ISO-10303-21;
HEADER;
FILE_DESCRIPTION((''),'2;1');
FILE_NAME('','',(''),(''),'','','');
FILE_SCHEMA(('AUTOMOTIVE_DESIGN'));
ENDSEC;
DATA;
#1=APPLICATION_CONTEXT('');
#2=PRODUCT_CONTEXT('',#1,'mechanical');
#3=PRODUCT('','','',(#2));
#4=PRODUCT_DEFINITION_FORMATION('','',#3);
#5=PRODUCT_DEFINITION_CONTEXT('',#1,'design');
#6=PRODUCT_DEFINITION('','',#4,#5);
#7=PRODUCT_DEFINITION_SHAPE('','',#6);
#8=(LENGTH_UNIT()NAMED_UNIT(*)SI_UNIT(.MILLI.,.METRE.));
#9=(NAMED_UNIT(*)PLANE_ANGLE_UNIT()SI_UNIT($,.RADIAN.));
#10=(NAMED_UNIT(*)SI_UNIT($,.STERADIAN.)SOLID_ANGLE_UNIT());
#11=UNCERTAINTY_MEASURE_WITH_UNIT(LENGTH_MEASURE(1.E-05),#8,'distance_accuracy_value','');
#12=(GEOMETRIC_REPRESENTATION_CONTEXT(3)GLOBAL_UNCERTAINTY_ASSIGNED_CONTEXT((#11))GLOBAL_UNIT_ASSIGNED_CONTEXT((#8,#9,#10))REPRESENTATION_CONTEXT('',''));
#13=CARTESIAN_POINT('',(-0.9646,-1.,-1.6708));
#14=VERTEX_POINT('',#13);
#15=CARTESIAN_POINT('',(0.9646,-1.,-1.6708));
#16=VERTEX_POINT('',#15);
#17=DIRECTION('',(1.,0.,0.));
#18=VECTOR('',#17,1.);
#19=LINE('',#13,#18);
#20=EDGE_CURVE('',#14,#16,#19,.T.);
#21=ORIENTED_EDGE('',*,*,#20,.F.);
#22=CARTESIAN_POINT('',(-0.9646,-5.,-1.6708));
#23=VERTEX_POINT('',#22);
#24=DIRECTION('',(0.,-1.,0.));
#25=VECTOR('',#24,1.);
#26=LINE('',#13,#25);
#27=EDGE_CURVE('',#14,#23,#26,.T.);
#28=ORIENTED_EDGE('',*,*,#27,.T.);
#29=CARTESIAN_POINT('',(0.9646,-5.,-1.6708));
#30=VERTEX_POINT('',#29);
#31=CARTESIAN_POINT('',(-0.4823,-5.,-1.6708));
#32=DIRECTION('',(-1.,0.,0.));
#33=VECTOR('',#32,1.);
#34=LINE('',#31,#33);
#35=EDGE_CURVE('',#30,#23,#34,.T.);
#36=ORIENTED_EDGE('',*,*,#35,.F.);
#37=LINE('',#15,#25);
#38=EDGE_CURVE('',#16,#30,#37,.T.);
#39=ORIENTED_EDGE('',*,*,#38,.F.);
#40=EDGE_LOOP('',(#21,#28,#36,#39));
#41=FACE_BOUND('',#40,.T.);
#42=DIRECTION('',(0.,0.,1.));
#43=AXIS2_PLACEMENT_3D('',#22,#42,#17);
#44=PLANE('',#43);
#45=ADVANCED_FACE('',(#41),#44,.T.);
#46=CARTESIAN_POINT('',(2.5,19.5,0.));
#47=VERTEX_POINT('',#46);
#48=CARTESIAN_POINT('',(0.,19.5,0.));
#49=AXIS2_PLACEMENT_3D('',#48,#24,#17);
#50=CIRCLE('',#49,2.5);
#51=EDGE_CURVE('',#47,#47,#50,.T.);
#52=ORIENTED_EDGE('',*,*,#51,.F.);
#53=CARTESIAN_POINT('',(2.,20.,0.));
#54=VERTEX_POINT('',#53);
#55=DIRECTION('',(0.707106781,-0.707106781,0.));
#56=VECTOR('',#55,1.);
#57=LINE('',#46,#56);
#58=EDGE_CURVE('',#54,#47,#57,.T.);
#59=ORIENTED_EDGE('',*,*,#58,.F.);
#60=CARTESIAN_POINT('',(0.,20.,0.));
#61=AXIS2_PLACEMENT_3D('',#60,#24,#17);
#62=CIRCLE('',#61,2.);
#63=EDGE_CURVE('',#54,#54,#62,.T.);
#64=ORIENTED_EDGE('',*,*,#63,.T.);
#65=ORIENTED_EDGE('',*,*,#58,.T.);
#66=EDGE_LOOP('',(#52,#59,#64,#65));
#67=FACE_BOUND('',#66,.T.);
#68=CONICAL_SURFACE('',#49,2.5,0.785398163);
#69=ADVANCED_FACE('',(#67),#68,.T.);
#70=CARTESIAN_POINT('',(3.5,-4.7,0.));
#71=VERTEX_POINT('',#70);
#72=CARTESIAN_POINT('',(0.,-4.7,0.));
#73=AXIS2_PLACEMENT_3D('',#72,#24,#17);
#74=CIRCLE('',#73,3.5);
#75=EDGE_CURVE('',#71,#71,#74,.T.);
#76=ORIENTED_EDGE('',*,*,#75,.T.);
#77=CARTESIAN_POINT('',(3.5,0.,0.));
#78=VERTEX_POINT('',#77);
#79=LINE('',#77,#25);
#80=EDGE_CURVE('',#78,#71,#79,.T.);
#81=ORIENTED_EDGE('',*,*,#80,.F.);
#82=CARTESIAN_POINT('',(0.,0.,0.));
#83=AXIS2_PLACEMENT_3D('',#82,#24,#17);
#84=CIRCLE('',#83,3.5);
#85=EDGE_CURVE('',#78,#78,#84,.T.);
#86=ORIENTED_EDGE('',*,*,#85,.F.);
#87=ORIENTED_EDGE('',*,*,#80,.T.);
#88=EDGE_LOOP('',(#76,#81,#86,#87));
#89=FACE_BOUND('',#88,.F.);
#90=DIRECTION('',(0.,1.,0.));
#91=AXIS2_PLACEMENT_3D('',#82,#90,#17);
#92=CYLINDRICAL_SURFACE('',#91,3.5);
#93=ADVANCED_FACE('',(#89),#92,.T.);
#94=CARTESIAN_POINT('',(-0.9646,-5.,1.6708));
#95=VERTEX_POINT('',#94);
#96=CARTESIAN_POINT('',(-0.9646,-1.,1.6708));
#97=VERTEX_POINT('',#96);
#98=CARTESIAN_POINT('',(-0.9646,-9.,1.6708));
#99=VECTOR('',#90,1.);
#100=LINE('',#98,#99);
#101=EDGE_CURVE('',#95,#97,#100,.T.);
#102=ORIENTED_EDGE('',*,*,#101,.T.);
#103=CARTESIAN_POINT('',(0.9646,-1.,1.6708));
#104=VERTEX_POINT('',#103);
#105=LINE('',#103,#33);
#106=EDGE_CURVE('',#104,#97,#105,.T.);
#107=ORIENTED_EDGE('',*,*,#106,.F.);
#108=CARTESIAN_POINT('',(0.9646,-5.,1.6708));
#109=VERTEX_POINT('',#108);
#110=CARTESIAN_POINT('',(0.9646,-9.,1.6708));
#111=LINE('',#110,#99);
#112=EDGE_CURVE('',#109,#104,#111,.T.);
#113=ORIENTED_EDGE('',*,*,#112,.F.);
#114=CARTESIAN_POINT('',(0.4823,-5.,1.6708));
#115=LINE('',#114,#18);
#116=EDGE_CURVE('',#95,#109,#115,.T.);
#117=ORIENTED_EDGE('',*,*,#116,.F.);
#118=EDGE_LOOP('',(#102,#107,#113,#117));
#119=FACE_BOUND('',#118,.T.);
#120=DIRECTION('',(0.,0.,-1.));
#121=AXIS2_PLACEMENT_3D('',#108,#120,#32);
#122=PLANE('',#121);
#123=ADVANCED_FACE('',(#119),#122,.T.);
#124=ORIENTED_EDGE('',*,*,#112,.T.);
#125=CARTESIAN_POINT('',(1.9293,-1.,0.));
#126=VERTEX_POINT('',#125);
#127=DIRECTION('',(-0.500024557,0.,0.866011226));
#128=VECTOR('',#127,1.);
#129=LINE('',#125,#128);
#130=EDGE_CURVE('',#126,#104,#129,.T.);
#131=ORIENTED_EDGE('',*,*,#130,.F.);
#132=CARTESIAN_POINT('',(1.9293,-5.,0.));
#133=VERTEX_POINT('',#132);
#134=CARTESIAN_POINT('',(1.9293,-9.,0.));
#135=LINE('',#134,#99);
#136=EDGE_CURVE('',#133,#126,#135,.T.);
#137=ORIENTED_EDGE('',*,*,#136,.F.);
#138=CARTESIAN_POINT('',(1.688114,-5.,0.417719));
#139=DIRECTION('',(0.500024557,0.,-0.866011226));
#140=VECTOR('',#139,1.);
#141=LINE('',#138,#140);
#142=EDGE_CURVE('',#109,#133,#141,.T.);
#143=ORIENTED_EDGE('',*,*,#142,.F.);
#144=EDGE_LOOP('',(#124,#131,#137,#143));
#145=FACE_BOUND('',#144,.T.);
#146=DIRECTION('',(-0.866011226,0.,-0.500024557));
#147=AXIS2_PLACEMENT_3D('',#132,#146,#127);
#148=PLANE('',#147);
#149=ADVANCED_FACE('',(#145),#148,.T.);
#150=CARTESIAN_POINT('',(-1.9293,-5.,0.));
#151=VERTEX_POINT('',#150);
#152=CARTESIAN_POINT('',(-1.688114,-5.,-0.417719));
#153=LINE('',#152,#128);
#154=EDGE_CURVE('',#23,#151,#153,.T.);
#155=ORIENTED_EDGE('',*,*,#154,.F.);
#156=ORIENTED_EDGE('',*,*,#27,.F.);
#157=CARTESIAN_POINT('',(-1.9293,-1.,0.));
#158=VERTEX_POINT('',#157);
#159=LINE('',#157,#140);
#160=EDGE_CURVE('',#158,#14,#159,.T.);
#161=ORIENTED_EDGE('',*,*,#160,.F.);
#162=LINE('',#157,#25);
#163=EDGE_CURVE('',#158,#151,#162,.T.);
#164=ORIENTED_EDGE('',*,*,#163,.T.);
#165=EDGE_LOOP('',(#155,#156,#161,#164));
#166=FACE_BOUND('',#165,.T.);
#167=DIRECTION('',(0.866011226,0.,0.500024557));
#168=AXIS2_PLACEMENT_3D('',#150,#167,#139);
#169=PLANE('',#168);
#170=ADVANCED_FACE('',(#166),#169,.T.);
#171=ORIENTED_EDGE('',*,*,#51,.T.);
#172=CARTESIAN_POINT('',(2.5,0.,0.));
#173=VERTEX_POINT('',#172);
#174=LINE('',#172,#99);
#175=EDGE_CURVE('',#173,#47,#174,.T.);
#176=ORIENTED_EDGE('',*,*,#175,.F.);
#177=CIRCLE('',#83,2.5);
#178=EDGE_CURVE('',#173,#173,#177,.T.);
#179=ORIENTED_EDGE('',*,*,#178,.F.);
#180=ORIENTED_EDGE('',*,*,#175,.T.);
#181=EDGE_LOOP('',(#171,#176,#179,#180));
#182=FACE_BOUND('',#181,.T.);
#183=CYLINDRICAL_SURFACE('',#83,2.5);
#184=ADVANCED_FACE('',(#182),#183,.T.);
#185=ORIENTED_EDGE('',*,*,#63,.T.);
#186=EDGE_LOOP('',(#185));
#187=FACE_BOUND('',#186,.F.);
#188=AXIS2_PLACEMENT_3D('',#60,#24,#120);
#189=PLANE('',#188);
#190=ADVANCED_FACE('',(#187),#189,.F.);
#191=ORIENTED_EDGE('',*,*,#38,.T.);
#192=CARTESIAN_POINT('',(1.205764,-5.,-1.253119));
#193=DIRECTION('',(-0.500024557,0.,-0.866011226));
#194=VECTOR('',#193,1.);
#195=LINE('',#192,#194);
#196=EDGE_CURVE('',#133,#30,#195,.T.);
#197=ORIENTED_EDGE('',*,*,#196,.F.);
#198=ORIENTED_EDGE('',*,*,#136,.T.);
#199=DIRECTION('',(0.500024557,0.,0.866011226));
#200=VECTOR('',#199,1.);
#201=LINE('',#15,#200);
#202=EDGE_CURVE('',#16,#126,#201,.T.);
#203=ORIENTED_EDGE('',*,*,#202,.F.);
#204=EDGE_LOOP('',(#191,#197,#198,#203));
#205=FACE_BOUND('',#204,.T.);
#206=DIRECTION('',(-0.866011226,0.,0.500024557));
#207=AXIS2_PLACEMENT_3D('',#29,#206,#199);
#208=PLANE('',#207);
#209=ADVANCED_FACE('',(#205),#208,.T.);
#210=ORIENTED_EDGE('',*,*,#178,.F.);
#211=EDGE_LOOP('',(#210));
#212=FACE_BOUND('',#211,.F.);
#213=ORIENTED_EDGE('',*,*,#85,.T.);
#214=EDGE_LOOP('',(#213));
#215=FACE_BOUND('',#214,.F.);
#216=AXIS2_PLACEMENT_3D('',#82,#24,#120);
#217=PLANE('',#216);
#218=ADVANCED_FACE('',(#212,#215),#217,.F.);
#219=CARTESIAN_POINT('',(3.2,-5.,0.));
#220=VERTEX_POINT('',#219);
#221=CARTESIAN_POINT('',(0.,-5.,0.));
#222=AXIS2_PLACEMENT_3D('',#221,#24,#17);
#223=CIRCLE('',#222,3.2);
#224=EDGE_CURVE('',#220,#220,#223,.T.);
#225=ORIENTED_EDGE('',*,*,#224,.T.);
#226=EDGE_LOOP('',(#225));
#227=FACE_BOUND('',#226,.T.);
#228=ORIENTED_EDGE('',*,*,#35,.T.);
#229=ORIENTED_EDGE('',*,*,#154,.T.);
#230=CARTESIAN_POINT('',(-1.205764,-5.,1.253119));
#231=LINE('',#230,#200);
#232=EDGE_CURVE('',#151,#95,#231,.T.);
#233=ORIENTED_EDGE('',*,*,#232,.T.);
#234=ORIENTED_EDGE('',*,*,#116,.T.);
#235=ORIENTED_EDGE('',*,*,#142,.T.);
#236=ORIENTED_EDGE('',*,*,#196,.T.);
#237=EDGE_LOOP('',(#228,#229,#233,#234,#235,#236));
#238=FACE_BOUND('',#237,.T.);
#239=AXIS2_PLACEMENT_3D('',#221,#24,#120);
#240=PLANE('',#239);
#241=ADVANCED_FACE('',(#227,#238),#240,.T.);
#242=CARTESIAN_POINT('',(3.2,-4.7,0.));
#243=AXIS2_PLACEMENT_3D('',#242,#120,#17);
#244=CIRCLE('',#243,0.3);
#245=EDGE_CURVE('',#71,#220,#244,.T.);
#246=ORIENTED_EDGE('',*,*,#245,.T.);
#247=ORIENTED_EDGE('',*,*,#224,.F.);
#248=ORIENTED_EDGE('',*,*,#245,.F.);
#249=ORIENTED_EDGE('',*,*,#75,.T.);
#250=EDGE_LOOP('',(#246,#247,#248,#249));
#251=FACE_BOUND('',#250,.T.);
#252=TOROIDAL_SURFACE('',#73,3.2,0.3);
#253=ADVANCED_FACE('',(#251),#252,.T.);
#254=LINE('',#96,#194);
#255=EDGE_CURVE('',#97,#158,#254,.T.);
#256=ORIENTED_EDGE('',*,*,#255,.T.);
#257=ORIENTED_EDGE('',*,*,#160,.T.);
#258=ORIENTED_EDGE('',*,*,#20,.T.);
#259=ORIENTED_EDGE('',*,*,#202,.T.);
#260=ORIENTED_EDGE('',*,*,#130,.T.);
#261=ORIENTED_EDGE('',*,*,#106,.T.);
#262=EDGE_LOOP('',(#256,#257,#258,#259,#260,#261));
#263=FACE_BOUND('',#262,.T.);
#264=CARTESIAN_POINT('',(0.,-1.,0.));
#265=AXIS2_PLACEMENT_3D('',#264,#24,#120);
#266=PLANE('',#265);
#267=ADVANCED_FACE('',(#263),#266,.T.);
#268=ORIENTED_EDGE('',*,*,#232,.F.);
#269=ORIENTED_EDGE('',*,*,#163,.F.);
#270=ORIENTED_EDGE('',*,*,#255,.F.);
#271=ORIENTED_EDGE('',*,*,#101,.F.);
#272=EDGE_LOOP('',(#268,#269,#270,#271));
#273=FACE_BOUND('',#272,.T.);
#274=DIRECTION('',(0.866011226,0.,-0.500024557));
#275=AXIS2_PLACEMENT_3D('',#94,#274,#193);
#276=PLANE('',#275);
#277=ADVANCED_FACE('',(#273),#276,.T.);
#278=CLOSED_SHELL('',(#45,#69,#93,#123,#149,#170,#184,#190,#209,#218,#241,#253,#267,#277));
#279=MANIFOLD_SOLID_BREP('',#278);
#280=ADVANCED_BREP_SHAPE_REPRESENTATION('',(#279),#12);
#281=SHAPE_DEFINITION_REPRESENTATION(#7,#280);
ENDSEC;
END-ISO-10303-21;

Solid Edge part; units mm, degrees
sketch "Sketch1" plane through (0, 0, 0) normal (0, -1, 0) x (1, 0, 0)
  circle A0 centre (0, 0) radius 2.5
extrude "Protrusion1" add sketch "Sketch1" against normal blind 20
sketch "Sketch2" plane through (0, 0, 0) normal (0, -1, 0) x (1, 0, 0)
  circle A0 centre (0, 0) radius 3.5
extrude "ExtrudedProtrusion_2" add sketch "Sketch2" along normal blind 5
fillet "Round_1" radius 0.3 1 edges at (-3.5, -5, 0)
chamfer "Chamfer_1" distance 0.5 angle 45 1 edges at (-2.5, 20, 0) measured on face at (-1.6167, 20, 1.7167)
sketch "Sketch3" plane through (0, -5, 0) normal (0, -1, 0) x (1, 0, 0)
  line L0 (-0.9646, 1.6708) -> (-1.9293, 0)
  line L1 (-1.9293, 0) -> (-0.9646, -1.6708)
  line L2 (-0.9646, -1.6708) -> (0.9646, -1.6708)
  line L3 (0.9646, -1.6708) -> (1.9293, 0)
  line L4 (1.9293, 0) -> (0.9646, 1.6708)
  line L5 (0.9646, 1.6708) -> (-0.9646, 1.6708)
extrude "ExtrudedCutout_1" cut sketch "Sketch3" along normal mid plane 8
cosmetic_thread "Thread1" size "M5"
